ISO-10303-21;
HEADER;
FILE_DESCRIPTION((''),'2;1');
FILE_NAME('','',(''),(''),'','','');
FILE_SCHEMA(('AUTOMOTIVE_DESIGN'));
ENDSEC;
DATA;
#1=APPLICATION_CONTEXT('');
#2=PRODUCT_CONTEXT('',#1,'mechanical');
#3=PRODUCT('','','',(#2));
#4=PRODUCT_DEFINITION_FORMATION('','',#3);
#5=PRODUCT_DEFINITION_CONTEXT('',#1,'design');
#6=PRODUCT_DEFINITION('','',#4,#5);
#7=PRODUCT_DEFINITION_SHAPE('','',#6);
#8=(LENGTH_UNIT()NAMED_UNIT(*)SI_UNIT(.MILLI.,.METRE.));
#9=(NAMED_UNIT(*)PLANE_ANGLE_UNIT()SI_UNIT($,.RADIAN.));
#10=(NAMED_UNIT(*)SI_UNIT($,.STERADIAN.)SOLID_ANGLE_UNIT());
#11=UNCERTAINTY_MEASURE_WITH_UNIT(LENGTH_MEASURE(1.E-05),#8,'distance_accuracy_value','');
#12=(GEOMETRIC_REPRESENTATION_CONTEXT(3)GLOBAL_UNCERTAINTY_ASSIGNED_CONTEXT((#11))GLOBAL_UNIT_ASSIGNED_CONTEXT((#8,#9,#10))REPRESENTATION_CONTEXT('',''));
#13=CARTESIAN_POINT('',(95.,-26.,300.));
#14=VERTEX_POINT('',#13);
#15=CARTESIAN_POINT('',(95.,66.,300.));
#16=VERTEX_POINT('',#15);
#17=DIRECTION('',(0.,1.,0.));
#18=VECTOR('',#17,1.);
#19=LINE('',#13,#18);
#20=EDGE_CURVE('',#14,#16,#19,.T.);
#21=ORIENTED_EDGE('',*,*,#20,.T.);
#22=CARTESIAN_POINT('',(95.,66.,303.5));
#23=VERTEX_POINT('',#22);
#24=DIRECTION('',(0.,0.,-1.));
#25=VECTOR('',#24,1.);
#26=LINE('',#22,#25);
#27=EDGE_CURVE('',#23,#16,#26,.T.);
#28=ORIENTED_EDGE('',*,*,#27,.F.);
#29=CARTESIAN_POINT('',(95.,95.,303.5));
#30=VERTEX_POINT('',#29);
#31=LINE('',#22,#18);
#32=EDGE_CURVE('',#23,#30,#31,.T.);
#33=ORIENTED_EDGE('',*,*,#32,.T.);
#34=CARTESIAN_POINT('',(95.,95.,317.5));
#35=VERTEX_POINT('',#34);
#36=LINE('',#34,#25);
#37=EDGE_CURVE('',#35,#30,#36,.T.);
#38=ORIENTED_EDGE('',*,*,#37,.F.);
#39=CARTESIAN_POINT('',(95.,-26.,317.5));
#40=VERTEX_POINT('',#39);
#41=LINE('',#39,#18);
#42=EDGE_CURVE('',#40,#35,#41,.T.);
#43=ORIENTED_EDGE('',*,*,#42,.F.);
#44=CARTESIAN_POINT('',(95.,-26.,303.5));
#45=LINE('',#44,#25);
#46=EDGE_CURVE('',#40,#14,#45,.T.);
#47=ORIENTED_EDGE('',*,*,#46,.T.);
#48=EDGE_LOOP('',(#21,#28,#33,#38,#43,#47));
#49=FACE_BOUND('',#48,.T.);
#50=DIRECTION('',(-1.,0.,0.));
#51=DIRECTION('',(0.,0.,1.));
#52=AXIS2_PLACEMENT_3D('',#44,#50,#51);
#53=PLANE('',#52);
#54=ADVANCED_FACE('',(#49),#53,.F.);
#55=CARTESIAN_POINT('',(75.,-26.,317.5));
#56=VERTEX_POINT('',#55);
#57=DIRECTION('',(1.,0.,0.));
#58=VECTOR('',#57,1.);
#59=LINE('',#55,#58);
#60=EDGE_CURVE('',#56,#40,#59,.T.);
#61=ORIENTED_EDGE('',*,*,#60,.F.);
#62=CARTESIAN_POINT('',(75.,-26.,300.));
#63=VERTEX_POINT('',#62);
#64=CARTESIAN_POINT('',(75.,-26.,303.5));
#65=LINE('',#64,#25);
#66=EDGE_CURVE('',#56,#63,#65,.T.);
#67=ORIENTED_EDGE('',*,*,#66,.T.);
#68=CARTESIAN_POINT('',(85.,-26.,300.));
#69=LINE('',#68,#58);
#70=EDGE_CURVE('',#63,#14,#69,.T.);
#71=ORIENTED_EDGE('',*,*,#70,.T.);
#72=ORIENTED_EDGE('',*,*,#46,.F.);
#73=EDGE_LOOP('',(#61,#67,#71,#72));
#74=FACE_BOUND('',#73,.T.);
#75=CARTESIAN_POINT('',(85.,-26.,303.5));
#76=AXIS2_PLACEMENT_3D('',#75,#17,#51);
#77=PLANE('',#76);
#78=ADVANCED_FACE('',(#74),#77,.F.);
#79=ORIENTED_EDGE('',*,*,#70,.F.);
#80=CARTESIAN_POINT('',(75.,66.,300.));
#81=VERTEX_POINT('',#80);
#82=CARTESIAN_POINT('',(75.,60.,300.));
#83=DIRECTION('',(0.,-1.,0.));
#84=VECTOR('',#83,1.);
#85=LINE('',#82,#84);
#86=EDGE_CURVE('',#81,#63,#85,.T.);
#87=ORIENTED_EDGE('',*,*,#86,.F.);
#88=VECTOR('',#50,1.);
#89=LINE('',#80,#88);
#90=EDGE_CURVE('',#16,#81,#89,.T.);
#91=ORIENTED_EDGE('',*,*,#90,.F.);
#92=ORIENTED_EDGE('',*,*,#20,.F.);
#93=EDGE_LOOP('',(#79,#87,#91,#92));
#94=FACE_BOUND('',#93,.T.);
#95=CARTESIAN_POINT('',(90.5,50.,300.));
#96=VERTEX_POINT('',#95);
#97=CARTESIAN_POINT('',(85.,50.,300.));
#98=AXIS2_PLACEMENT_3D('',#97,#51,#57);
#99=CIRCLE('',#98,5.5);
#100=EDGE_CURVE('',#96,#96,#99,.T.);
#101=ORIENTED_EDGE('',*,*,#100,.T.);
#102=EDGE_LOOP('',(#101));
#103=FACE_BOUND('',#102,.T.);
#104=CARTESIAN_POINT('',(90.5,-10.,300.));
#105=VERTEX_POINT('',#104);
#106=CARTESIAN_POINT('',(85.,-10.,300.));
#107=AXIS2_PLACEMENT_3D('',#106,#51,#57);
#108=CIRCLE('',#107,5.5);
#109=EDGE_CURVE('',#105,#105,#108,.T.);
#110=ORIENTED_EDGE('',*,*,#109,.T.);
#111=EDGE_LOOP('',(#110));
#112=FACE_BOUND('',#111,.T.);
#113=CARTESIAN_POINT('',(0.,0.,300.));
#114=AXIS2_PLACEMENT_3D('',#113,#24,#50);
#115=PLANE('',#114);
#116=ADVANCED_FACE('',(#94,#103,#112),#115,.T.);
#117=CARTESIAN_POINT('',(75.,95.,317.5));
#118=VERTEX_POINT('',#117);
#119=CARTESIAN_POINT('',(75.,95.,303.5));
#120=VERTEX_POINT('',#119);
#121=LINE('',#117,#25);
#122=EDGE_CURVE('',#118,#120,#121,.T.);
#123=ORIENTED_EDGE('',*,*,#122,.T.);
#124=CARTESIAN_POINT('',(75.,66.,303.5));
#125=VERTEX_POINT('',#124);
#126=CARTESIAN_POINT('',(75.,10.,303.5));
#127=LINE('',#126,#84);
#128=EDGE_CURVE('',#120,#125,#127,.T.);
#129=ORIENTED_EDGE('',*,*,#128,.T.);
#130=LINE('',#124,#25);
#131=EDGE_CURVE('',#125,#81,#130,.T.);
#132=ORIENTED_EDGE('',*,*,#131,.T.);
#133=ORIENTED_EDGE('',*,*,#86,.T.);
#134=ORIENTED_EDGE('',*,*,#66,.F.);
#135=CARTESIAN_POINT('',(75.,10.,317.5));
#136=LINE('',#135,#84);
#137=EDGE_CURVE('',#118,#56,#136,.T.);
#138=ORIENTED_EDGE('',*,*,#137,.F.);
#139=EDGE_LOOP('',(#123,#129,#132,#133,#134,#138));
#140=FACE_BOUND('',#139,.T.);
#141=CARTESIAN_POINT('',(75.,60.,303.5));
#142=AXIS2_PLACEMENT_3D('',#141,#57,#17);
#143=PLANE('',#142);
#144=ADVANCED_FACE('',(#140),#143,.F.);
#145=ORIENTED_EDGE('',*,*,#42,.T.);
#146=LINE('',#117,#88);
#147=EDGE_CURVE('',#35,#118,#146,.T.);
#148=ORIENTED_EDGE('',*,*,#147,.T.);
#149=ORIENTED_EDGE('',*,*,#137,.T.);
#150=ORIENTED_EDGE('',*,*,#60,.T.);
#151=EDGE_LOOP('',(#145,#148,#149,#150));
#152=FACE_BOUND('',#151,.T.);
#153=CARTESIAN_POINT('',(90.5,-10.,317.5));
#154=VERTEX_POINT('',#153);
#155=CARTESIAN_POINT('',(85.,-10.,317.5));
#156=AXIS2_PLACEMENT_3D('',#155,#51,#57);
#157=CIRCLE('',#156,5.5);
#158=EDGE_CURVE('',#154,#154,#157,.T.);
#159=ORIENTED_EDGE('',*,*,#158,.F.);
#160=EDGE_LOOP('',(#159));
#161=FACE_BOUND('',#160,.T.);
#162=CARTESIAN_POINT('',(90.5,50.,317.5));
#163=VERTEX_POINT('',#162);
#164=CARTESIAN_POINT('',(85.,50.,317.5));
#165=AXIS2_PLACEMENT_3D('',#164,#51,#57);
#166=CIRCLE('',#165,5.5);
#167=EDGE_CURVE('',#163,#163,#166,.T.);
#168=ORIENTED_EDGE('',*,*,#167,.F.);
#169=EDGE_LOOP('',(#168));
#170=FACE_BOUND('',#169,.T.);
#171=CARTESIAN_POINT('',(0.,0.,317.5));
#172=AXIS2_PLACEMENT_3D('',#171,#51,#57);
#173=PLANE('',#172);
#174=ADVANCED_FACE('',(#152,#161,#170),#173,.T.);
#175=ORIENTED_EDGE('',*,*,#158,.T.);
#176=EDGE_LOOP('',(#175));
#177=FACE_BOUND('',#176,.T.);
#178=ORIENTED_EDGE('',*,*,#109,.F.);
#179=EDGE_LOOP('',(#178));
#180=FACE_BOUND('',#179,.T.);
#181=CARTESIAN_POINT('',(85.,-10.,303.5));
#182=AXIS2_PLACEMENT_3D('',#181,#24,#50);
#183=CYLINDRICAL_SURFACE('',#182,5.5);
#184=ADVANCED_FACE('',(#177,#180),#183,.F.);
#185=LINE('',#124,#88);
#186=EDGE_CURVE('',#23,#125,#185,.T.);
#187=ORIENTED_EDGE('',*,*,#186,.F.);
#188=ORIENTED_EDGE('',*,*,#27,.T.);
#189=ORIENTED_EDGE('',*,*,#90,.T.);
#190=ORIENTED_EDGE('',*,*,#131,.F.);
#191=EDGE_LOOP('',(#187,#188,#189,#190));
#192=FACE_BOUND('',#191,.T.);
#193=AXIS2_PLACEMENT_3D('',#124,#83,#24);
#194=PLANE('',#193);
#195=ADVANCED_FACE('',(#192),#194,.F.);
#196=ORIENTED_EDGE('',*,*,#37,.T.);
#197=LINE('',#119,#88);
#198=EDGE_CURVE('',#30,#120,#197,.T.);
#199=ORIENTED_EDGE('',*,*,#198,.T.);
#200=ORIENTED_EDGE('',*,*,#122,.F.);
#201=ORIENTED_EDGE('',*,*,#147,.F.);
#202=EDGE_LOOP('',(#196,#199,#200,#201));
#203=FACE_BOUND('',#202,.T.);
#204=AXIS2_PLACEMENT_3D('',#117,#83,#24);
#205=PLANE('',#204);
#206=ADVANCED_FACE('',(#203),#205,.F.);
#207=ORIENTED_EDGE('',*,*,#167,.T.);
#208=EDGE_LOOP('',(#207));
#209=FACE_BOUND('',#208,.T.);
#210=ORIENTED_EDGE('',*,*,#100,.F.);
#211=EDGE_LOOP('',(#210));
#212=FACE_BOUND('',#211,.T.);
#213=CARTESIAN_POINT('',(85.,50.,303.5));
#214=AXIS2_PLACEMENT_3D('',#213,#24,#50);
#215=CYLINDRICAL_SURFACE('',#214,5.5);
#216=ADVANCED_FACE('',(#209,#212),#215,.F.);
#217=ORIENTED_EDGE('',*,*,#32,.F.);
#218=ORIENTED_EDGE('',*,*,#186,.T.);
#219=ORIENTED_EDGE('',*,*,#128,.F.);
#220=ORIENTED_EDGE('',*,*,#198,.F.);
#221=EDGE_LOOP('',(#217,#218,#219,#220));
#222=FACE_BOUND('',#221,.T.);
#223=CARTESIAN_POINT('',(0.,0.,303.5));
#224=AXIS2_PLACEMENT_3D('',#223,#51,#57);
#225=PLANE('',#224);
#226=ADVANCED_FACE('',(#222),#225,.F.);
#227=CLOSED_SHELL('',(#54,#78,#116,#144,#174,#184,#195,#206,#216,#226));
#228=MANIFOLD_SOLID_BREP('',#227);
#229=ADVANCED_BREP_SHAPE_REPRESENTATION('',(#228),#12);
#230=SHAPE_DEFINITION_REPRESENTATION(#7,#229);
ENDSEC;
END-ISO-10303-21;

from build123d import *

# Parameters (mm, degrees)
SKETCH1_R           = 5.5
BOSS_EXTRUDE1_DEPTH = 3.5
SKETCH2_R           = 5.5
BOSS_EXTRUDE2_DEPTH = 14


with BuildPart() as part:
    # Sketch1 → Boss-Extrude1 (new body)
    with BuildSketch(Plane.XY.offset(300)):
        Polygon((75, 66), (95, 66), (95, -26), (85, -26), (75, -26), (75, 10), (75, 50), (75, 60), align=None)
        with Locations((85, -10)):
            Circle(SKETCH1_R, mode=Mode.SUBTRACT)
        with Locations((85, 50)):
            Circle(SKETCH1_R, mode=Mode.SUBTRACT)
    extrude(amount=BOSS_EXTRUDE1_DEPTH)

    # Sketch2 → Boss-Extrude2 (add)
    with BuildSketch(Plane.XY.offset(303.5)):
        Polygon((75, 10), (75, 85), (75, 95), (95, 95), (95, 66), (95, -26), (75, -26), align=None)
        with Locations((85, 50)):
            Circle(SKETCH2_R, mode=Mode.SUBTRACT)
        with Locations((85, -10)):
            Circle(SKETCH2_R, mode=Mode.SUBTRACT)
    extrude(amount=BOSS_EXTRUDE2_DEPTH)


solid = part.part
